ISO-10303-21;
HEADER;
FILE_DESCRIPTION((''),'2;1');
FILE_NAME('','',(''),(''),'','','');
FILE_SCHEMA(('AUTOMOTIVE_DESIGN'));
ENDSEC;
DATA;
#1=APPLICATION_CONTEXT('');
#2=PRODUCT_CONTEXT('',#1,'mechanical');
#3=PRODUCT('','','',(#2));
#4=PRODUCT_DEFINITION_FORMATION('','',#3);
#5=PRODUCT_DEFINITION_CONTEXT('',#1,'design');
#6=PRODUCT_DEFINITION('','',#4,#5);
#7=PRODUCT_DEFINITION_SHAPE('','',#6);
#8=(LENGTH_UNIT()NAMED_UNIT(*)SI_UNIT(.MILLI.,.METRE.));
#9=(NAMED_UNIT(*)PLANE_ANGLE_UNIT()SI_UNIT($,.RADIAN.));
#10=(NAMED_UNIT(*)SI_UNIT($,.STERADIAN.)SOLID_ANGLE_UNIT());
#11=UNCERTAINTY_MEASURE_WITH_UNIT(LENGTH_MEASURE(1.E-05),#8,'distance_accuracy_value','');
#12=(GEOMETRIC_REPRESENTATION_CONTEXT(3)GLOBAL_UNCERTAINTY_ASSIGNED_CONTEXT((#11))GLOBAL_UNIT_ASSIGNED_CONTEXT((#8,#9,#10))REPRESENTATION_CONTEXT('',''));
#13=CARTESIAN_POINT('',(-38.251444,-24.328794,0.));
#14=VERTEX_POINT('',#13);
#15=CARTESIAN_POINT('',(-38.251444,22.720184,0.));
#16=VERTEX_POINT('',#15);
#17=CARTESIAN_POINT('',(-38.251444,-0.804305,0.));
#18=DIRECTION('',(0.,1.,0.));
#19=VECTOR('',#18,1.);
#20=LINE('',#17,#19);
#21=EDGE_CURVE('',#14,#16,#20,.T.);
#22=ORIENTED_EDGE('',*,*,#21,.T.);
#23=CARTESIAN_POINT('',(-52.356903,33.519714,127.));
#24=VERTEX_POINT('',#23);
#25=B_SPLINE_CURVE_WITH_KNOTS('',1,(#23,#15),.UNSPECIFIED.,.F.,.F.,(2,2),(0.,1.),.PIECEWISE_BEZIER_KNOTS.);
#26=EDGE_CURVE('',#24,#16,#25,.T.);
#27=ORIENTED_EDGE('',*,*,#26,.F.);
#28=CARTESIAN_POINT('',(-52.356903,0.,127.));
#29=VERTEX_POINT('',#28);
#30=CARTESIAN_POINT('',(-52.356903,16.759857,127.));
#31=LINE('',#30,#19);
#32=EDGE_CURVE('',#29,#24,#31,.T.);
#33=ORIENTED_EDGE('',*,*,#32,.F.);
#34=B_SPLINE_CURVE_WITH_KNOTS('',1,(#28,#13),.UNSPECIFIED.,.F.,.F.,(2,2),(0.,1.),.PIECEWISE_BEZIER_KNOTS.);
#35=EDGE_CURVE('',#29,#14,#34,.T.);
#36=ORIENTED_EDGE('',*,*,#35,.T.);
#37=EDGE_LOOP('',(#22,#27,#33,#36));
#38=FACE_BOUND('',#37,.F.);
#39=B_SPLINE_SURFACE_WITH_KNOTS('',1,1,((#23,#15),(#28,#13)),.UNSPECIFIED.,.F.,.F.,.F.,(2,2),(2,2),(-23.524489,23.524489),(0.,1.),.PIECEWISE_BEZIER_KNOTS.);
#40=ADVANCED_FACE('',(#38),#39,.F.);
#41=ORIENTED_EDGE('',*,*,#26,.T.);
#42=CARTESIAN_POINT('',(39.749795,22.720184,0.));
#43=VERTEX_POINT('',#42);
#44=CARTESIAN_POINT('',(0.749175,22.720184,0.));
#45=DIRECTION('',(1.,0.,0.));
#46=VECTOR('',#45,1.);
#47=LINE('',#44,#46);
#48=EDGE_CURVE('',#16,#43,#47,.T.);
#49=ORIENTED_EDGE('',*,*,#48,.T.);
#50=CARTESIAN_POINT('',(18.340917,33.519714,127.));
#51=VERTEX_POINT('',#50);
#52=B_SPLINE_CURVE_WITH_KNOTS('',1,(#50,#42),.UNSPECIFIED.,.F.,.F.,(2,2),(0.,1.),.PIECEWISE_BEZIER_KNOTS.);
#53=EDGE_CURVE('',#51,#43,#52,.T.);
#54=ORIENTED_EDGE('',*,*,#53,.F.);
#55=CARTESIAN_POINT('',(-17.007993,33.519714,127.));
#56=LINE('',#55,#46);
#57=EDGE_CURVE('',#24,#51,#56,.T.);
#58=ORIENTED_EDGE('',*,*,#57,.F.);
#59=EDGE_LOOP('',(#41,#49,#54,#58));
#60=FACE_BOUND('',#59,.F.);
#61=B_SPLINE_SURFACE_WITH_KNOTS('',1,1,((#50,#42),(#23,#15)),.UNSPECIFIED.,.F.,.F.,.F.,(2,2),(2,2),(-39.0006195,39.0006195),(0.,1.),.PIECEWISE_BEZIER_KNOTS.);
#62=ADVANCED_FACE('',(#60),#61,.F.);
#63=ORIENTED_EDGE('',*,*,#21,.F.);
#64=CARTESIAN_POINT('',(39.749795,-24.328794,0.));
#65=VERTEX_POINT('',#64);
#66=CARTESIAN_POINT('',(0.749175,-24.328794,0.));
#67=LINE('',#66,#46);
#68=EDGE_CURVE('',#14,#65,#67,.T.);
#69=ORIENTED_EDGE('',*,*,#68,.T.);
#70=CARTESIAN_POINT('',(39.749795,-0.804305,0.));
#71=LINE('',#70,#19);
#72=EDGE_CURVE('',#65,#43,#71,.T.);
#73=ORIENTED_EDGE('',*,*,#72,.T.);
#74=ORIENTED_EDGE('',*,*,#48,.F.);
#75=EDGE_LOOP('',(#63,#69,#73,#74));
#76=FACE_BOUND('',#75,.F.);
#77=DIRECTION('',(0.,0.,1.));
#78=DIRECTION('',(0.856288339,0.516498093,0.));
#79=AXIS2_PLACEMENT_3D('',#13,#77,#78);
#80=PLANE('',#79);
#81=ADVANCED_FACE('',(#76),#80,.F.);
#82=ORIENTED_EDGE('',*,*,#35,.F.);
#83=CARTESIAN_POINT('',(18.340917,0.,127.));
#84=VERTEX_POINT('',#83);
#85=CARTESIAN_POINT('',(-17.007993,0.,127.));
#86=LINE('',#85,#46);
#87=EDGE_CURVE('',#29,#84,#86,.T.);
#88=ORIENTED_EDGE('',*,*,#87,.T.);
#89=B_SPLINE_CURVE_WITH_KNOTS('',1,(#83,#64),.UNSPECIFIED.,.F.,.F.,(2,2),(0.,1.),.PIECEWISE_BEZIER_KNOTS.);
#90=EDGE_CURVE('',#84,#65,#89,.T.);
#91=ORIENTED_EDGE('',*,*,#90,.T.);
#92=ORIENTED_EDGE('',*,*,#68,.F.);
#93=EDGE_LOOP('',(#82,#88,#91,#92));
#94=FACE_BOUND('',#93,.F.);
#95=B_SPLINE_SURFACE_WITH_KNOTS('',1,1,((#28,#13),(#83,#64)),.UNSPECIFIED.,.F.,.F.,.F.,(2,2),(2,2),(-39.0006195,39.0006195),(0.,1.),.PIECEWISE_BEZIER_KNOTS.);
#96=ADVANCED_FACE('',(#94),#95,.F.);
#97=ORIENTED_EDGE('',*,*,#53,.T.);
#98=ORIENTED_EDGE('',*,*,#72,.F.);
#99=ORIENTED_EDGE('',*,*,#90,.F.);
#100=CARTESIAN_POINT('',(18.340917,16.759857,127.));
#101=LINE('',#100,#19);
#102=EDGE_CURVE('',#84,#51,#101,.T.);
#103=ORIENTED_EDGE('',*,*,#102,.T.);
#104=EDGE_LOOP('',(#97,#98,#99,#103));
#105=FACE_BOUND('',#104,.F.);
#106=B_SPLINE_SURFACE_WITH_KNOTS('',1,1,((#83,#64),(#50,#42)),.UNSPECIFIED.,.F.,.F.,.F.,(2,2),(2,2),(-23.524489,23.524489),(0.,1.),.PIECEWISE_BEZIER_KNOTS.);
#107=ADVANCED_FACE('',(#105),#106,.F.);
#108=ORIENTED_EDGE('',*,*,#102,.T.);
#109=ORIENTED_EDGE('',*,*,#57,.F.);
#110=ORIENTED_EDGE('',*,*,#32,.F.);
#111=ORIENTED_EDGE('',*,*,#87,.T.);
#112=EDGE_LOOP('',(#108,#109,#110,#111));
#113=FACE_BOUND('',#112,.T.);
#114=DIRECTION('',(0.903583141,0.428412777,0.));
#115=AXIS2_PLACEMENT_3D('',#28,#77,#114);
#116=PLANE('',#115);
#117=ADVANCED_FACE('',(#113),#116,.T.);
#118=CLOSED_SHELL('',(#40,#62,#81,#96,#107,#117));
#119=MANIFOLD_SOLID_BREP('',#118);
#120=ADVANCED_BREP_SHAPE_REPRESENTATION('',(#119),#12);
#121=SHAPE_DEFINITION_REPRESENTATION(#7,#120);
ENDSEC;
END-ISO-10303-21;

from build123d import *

# Parameters (mm, degrees)
F1_W = 70.69782
F1_H = 33.519715
F2_W = 78.001239
F2_H = 47.048978


with BuildPart() as f3:
    # F1 (on offset) → F3 section 0
    with BuildSketch(Plane.XY.offset(127)):
        with Locations((-17.007993, 16.759857)):
            Rectangle(F1_W, F1_H)
    # F2 (on Top) → F3 section 1
    with BuildSketch(Plane.XY):
        with Locations((0.749175, -0.804305)):
            Rectangle(F2_W, F2_H)
    loft()


solid = f3.part
